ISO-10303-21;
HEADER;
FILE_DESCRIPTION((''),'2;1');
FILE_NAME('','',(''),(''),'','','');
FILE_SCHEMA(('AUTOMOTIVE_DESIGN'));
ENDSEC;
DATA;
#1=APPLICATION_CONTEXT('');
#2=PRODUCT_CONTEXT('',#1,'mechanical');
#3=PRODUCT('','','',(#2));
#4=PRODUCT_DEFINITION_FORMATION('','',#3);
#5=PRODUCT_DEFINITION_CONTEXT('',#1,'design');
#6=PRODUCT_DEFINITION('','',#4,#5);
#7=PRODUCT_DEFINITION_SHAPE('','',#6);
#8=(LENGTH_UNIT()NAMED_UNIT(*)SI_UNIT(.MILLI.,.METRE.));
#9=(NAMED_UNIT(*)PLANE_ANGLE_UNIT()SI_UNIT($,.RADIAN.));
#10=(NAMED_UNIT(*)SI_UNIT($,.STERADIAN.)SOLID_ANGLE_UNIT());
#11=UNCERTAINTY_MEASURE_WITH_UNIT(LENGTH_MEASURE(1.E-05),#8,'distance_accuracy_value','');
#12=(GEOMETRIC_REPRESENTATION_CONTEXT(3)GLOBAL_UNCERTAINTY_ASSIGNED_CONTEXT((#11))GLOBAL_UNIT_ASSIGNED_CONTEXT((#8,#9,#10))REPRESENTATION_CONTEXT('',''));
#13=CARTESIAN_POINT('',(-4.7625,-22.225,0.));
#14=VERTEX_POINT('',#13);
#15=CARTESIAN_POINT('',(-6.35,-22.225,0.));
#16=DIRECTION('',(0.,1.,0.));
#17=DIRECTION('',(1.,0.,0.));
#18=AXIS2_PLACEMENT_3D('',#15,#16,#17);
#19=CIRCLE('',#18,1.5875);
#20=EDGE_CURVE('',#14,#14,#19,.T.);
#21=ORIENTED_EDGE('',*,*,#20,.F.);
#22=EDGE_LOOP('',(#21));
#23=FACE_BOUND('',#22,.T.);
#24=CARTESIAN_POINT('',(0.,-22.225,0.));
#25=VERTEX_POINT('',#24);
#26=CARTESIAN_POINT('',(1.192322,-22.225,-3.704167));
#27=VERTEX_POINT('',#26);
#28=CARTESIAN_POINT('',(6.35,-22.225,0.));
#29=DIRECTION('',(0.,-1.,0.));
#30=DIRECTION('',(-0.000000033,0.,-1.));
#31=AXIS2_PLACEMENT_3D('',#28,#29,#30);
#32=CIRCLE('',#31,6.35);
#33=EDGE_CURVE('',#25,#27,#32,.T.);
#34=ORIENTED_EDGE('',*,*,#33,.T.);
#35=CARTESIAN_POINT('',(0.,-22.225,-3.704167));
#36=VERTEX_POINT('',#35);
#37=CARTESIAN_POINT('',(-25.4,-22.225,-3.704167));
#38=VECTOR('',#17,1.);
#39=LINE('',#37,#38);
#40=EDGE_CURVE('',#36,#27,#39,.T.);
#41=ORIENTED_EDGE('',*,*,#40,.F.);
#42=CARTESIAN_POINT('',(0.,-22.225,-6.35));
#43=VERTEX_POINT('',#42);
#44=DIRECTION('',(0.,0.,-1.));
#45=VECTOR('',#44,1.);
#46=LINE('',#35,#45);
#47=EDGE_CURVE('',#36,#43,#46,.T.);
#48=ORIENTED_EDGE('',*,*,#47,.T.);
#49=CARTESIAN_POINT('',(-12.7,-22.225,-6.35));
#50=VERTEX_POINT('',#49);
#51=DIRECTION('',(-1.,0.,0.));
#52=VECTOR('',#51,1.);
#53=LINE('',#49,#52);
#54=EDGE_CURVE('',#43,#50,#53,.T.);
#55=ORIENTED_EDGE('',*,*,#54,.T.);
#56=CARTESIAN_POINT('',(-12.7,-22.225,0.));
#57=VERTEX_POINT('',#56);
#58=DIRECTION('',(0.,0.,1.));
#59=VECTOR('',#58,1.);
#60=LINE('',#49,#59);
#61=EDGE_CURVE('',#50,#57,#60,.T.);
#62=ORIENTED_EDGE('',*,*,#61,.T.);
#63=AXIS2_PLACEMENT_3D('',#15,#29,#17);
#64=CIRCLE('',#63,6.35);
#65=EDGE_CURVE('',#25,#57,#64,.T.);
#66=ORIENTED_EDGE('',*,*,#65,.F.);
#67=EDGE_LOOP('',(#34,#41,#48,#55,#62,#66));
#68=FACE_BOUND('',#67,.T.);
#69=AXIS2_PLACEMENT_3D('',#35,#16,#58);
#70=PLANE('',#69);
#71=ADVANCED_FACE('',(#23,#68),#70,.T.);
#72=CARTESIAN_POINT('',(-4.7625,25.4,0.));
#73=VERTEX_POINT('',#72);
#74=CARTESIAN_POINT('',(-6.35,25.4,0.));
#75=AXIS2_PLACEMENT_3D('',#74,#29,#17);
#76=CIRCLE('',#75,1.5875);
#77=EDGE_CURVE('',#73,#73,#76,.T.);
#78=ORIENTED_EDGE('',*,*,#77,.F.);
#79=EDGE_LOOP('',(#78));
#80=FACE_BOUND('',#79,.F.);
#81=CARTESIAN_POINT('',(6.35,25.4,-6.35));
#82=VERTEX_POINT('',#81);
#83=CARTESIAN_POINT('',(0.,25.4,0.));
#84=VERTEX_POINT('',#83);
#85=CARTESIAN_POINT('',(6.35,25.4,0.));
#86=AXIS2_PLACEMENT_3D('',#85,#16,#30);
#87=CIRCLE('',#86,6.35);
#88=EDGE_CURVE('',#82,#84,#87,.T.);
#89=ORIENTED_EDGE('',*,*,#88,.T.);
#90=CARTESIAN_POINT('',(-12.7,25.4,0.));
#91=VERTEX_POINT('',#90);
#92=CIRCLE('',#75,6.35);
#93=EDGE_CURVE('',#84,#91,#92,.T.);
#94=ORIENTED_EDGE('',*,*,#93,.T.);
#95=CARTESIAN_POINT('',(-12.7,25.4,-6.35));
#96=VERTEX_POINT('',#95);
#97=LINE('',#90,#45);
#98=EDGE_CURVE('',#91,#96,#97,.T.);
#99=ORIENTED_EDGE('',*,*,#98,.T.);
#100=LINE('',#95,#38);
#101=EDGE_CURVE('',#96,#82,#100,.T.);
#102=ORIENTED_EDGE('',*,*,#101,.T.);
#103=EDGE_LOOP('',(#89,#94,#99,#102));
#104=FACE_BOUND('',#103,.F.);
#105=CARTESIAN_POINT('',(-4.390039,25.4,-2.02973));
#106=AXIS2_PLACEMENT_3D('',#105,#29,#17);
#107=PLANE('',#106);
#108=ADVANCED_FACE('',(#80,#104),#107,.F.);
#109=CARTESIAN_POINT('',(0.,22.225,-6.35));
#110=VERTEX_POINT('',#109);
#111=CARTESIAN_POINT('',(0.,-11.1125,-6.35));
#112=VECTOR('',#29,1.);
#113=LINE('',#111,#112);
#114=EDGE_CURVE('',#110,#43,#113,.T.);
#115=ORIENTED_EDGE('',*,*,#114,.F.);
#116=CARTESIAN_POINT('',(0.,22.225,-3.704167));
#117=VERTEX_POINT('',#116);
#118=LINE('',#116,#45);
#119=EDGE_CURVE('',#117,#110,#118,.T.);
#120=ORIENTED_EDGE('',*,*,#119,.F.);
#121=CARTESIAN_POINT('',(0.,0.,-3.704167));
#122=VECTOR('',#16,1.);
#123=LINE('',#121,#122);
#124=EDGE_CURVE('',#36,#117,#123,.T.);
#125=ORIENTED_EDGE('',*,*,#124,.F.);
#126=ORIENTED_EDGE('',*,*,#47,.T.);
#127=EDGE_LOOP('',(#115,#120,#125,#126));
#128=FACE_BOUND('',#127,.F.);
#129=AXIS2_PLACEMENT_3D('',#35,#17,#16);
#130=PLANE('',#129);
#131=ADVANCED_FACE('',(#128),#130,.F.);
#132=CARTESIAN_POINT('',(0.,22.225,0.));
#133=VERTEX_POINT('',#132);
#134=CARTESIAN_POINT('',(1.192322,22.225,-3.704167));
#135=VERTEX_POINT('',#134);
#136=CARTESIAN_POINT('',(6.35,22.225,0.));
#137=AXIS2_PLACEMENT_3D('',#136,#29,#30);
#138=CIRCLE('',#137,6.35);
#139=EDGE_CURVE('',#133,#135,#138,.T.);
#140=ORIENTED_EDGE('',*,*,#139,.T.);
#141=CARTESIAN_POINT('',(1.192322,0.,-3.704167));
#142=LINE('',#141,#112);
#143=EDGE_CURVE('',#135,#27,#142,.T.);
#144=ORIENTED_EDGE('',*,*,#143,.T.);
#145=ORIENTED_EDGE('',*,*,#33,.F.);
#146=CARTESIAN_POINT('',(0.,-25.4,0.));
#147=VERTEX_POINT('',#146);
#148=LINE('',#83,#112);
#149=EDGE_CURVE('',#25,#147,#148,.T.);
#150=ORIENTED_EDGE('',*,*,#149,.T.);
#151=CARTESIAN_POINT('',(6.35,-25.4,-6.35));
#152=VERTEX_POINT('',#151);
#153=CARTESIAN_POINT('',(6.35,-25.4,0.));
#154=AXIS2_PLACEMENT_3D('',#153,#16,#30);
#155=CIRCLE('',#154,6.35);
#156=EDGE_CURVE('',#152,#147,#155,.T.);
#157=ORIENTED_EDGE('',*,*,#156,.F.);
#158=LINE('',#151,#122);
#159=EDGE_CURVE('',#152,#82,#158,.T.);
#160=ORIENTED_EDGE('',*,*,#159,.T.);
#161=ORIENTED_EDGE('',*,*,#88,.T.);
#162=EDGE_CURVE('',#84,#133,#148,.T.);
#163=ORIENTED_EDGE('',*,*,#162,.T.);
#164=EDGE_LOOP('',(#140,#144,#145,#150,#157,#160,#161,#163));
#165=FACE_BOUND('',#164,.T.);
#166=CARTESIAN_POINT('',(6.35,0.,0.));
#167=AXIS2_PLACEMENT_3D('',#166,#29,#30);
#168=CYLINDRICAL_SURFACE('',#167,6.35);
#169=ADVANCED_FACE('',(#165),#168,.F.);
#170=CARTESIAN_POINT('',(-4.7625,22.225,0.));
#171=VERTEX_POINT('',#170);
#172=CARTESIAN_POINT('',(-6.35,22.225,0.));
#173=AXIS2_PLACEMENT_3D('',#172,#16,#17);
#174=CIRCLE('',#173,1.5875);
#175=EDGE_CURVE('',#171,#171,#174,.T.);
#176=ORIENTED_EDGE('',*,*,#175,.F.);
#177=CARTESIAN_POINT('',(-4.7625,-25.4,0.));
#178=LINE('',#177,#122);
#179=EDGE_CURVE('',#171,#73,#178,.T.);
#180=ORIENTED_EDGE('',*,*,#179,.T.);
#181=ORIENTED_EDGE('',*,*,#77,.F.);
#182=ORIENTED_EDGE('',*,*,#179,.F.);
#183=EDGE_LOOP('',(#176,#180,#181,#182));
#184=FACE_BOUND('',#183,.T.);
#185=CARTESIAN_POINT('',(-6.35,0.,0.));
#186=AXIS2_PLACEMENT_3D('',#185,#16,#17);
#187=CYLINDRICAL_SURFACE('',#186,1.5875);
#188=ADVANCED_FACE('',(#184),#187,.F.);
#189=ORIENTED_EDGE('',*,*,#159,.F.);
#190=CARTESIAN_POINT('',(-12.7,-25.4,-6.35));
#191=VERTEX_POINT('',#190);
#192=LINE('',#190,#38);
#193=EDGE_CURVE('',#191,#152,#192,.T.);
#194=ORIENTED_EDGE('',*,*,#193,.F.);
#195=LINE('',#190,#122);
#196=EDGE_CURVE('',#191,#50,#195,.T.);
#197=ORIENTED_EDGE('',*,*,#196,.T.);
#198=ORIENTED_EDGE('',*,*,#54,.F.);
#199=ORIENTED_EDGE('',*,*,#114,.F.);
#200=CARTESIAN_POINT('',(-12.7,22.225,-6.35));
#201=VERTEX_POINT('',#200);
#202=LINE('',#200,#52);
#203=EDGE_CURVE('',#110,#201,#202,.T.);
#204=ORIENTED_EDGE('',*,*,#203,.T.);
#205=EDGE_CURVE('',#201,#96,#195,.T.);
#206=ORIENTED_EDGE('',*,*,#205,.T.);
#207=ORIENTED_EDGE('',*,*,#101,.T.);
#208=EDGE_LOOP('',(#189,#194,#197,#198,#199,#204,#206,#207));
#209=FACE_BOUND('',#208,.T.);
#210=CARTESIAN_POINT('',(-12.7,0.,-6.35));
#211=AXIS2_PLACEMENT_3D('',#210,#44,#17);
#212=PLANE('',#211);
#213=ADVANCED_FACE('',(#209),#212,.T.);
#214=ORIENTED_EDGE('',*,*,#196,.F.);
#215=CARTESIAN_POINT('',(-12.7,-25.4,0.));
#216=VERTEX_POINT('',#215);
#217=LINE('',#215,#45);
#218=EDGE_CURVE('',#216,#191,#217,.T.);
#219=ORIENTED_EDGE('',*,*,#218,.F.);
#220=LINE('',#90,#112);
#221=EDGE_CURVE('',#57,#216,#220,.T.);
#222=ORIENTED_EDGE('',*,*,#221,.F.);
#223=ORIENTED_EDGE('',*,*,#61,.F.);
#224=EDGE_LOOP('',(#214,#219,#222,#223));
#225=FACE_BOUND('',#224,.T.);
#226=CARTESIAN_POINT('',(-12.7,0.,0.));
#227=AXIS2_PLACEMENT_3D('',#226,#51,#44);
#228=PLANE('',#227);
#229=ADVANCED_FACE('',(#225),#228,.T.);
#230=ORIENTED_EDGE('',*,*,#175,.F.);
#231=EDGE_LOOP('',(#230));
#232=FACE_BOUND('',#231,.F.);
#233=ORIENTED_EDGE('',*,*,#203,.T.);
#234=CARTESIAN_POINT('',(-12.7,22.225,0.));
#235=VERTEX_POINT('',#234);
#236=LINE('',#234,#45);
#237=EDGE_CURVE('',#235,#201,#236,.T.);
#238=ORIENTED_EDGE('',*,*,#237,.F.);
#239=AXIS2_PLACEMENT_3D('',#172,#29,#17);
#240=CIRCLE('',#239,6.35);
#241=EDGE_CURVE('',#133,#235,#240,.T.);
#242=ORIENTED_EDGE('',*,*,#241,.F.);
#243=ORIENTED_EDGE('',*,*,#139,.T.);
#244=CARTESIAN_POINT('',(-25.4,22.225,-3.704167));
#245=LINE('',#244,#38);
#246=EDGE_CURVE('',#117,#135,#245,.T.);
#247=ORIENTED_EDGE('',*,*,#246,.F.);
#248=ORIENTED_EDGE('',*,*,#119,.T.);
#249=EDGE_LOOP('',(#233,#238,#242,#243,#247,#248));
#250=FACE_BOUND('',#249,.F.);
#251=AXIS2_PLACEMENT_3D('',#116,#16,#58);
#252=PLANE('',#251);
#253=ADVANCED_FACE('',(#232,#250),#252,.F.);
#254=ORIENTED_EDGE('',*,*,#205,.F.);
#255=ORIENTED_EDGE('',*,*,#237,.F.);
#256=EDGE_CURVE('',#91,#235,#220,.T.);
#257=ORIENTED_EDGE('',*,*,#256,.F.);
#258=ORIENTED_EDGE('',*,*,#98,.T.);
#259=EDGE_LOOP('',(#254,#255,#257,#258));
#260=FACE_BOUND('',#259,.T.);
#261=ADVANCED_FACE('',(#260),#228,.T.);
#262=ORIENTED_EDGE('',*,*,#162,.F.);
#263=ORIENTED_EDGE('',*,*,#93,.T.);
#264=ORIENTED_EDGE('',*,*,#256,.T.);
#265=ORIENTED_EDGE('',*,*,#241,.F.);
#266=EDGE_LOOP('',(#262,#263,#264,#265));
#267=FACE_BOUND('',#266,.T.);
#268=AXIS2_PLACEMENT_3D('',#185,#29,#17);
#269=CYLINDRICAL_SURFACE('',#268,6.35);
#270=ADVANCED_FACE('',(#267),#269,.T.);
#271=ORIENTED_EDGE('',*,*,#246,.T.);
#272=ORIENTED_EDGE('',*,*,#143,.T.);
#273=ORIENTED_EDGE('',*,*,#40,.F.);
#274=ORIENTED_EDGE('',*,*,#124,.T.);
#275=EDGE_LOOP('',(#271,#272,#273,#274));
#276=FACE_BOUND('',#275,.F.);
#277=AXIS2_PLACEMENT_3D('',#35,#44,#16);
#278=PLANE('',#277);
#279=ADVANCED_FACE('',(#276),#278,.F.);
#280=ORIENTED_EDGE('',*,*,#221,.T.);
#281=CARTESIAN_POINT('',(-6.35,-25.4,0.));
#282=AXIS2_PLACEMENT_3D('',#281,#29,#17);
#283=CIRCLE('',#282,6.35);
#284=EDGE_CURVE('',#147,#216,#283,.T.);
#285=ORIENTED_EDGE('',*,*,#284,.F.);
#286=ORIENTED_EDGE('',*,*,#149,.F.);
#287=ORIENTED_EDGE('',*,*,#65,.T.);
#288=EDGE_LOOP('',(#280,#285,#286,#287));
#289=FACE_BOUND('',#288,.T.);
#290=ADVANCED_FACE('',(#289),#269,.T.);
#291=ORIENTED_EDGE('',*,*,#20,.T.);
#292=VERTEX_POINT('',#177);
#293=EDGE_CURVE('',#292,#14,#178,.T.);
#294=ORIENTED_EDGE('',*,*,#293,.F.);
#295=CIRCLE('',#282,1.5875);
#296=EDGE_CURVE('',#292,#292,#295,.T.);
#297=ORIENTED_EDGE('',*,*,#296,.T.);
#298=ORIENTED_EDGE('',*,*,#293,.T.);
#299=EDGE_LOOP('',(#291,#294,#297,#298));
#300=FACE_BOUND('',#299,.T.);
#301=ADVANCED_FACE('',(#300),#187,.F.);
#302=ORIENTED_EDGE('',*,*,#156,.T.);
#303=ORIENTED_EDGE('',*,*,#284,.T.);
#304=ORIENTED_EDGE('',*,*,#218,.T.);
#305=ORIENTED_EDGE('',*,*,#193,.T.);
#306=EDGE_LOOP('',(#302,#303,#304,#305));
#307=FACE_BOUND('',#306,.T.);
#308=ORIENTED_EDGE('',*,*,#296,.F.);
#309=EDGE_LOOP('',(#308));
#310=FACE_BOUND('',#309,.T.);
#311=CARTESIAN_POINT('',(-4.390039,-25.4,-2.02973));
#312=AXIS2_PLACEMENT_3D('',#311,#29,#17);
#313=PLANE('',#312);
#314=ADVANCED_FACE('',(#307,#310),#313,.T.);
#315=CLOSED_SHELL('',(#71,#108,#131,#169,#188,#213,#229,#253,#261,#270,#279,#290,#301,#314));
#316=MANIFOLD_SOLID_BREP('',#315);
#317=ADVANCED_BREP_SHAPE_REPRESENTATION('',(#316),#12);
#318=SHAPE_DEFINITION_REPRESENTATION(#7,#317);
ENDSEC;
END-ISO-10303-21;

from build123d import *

# Parameters (mm, degrees)
F0_R     = 1.5875
F1_DEPTH = 25.4
F2_W     = 44.45
F2_H     = 11.1125
F3_DEPTH = 25.4
F4_W     = 12.7
F4_H     = 44.45
F5_DEPTH = 2.646833


with BuildPart() as f1:
    # F0 (on Front) → F1 (new body, symmetric)
    with BuildSketch(Plane.XZ):
        with BuildLine():
            Line((0, -6.35), (6.35, -6.35))
            ThreePointArc((6.35, -6.35), (1.859872, -4.490128), (0, 0))
            ThreePointArc((0, 0), (-6.35, 6.35), (-12.7, 0))
            Line((-12.7, 0), (-12.7, -6.35))
            Line((-12.7, -6.35), (0, -6.35))
        make_face()
        with Locations((-6.35, 0)):
            Circle(F0_R, mode=Mode.SUBTRACT)
    extrude(amount=F1_DEPTH, both=True)

    # F2 (on Right) → F3 (cut, symmetric)
    with BuildSketch(Plane.YZ):
        with Locations((0, 1.852083)):
            Rectangle(F2_W, F2_H)
    extrude(amount=F3_DEPTH, both=True, mode=Mode.SUBTRACT)

    # F4 (on face) → F5 (cut, through all)
    with BuildSketch(Plane.XY.offset(-3.704167)):
        with Locations((-6.35, 0)):
            Rectangle(F4_W, F4_H)
    extrude(amount=-F5_DEPTH, mode=Mode.SUBTRACT)


solid = f1.part
